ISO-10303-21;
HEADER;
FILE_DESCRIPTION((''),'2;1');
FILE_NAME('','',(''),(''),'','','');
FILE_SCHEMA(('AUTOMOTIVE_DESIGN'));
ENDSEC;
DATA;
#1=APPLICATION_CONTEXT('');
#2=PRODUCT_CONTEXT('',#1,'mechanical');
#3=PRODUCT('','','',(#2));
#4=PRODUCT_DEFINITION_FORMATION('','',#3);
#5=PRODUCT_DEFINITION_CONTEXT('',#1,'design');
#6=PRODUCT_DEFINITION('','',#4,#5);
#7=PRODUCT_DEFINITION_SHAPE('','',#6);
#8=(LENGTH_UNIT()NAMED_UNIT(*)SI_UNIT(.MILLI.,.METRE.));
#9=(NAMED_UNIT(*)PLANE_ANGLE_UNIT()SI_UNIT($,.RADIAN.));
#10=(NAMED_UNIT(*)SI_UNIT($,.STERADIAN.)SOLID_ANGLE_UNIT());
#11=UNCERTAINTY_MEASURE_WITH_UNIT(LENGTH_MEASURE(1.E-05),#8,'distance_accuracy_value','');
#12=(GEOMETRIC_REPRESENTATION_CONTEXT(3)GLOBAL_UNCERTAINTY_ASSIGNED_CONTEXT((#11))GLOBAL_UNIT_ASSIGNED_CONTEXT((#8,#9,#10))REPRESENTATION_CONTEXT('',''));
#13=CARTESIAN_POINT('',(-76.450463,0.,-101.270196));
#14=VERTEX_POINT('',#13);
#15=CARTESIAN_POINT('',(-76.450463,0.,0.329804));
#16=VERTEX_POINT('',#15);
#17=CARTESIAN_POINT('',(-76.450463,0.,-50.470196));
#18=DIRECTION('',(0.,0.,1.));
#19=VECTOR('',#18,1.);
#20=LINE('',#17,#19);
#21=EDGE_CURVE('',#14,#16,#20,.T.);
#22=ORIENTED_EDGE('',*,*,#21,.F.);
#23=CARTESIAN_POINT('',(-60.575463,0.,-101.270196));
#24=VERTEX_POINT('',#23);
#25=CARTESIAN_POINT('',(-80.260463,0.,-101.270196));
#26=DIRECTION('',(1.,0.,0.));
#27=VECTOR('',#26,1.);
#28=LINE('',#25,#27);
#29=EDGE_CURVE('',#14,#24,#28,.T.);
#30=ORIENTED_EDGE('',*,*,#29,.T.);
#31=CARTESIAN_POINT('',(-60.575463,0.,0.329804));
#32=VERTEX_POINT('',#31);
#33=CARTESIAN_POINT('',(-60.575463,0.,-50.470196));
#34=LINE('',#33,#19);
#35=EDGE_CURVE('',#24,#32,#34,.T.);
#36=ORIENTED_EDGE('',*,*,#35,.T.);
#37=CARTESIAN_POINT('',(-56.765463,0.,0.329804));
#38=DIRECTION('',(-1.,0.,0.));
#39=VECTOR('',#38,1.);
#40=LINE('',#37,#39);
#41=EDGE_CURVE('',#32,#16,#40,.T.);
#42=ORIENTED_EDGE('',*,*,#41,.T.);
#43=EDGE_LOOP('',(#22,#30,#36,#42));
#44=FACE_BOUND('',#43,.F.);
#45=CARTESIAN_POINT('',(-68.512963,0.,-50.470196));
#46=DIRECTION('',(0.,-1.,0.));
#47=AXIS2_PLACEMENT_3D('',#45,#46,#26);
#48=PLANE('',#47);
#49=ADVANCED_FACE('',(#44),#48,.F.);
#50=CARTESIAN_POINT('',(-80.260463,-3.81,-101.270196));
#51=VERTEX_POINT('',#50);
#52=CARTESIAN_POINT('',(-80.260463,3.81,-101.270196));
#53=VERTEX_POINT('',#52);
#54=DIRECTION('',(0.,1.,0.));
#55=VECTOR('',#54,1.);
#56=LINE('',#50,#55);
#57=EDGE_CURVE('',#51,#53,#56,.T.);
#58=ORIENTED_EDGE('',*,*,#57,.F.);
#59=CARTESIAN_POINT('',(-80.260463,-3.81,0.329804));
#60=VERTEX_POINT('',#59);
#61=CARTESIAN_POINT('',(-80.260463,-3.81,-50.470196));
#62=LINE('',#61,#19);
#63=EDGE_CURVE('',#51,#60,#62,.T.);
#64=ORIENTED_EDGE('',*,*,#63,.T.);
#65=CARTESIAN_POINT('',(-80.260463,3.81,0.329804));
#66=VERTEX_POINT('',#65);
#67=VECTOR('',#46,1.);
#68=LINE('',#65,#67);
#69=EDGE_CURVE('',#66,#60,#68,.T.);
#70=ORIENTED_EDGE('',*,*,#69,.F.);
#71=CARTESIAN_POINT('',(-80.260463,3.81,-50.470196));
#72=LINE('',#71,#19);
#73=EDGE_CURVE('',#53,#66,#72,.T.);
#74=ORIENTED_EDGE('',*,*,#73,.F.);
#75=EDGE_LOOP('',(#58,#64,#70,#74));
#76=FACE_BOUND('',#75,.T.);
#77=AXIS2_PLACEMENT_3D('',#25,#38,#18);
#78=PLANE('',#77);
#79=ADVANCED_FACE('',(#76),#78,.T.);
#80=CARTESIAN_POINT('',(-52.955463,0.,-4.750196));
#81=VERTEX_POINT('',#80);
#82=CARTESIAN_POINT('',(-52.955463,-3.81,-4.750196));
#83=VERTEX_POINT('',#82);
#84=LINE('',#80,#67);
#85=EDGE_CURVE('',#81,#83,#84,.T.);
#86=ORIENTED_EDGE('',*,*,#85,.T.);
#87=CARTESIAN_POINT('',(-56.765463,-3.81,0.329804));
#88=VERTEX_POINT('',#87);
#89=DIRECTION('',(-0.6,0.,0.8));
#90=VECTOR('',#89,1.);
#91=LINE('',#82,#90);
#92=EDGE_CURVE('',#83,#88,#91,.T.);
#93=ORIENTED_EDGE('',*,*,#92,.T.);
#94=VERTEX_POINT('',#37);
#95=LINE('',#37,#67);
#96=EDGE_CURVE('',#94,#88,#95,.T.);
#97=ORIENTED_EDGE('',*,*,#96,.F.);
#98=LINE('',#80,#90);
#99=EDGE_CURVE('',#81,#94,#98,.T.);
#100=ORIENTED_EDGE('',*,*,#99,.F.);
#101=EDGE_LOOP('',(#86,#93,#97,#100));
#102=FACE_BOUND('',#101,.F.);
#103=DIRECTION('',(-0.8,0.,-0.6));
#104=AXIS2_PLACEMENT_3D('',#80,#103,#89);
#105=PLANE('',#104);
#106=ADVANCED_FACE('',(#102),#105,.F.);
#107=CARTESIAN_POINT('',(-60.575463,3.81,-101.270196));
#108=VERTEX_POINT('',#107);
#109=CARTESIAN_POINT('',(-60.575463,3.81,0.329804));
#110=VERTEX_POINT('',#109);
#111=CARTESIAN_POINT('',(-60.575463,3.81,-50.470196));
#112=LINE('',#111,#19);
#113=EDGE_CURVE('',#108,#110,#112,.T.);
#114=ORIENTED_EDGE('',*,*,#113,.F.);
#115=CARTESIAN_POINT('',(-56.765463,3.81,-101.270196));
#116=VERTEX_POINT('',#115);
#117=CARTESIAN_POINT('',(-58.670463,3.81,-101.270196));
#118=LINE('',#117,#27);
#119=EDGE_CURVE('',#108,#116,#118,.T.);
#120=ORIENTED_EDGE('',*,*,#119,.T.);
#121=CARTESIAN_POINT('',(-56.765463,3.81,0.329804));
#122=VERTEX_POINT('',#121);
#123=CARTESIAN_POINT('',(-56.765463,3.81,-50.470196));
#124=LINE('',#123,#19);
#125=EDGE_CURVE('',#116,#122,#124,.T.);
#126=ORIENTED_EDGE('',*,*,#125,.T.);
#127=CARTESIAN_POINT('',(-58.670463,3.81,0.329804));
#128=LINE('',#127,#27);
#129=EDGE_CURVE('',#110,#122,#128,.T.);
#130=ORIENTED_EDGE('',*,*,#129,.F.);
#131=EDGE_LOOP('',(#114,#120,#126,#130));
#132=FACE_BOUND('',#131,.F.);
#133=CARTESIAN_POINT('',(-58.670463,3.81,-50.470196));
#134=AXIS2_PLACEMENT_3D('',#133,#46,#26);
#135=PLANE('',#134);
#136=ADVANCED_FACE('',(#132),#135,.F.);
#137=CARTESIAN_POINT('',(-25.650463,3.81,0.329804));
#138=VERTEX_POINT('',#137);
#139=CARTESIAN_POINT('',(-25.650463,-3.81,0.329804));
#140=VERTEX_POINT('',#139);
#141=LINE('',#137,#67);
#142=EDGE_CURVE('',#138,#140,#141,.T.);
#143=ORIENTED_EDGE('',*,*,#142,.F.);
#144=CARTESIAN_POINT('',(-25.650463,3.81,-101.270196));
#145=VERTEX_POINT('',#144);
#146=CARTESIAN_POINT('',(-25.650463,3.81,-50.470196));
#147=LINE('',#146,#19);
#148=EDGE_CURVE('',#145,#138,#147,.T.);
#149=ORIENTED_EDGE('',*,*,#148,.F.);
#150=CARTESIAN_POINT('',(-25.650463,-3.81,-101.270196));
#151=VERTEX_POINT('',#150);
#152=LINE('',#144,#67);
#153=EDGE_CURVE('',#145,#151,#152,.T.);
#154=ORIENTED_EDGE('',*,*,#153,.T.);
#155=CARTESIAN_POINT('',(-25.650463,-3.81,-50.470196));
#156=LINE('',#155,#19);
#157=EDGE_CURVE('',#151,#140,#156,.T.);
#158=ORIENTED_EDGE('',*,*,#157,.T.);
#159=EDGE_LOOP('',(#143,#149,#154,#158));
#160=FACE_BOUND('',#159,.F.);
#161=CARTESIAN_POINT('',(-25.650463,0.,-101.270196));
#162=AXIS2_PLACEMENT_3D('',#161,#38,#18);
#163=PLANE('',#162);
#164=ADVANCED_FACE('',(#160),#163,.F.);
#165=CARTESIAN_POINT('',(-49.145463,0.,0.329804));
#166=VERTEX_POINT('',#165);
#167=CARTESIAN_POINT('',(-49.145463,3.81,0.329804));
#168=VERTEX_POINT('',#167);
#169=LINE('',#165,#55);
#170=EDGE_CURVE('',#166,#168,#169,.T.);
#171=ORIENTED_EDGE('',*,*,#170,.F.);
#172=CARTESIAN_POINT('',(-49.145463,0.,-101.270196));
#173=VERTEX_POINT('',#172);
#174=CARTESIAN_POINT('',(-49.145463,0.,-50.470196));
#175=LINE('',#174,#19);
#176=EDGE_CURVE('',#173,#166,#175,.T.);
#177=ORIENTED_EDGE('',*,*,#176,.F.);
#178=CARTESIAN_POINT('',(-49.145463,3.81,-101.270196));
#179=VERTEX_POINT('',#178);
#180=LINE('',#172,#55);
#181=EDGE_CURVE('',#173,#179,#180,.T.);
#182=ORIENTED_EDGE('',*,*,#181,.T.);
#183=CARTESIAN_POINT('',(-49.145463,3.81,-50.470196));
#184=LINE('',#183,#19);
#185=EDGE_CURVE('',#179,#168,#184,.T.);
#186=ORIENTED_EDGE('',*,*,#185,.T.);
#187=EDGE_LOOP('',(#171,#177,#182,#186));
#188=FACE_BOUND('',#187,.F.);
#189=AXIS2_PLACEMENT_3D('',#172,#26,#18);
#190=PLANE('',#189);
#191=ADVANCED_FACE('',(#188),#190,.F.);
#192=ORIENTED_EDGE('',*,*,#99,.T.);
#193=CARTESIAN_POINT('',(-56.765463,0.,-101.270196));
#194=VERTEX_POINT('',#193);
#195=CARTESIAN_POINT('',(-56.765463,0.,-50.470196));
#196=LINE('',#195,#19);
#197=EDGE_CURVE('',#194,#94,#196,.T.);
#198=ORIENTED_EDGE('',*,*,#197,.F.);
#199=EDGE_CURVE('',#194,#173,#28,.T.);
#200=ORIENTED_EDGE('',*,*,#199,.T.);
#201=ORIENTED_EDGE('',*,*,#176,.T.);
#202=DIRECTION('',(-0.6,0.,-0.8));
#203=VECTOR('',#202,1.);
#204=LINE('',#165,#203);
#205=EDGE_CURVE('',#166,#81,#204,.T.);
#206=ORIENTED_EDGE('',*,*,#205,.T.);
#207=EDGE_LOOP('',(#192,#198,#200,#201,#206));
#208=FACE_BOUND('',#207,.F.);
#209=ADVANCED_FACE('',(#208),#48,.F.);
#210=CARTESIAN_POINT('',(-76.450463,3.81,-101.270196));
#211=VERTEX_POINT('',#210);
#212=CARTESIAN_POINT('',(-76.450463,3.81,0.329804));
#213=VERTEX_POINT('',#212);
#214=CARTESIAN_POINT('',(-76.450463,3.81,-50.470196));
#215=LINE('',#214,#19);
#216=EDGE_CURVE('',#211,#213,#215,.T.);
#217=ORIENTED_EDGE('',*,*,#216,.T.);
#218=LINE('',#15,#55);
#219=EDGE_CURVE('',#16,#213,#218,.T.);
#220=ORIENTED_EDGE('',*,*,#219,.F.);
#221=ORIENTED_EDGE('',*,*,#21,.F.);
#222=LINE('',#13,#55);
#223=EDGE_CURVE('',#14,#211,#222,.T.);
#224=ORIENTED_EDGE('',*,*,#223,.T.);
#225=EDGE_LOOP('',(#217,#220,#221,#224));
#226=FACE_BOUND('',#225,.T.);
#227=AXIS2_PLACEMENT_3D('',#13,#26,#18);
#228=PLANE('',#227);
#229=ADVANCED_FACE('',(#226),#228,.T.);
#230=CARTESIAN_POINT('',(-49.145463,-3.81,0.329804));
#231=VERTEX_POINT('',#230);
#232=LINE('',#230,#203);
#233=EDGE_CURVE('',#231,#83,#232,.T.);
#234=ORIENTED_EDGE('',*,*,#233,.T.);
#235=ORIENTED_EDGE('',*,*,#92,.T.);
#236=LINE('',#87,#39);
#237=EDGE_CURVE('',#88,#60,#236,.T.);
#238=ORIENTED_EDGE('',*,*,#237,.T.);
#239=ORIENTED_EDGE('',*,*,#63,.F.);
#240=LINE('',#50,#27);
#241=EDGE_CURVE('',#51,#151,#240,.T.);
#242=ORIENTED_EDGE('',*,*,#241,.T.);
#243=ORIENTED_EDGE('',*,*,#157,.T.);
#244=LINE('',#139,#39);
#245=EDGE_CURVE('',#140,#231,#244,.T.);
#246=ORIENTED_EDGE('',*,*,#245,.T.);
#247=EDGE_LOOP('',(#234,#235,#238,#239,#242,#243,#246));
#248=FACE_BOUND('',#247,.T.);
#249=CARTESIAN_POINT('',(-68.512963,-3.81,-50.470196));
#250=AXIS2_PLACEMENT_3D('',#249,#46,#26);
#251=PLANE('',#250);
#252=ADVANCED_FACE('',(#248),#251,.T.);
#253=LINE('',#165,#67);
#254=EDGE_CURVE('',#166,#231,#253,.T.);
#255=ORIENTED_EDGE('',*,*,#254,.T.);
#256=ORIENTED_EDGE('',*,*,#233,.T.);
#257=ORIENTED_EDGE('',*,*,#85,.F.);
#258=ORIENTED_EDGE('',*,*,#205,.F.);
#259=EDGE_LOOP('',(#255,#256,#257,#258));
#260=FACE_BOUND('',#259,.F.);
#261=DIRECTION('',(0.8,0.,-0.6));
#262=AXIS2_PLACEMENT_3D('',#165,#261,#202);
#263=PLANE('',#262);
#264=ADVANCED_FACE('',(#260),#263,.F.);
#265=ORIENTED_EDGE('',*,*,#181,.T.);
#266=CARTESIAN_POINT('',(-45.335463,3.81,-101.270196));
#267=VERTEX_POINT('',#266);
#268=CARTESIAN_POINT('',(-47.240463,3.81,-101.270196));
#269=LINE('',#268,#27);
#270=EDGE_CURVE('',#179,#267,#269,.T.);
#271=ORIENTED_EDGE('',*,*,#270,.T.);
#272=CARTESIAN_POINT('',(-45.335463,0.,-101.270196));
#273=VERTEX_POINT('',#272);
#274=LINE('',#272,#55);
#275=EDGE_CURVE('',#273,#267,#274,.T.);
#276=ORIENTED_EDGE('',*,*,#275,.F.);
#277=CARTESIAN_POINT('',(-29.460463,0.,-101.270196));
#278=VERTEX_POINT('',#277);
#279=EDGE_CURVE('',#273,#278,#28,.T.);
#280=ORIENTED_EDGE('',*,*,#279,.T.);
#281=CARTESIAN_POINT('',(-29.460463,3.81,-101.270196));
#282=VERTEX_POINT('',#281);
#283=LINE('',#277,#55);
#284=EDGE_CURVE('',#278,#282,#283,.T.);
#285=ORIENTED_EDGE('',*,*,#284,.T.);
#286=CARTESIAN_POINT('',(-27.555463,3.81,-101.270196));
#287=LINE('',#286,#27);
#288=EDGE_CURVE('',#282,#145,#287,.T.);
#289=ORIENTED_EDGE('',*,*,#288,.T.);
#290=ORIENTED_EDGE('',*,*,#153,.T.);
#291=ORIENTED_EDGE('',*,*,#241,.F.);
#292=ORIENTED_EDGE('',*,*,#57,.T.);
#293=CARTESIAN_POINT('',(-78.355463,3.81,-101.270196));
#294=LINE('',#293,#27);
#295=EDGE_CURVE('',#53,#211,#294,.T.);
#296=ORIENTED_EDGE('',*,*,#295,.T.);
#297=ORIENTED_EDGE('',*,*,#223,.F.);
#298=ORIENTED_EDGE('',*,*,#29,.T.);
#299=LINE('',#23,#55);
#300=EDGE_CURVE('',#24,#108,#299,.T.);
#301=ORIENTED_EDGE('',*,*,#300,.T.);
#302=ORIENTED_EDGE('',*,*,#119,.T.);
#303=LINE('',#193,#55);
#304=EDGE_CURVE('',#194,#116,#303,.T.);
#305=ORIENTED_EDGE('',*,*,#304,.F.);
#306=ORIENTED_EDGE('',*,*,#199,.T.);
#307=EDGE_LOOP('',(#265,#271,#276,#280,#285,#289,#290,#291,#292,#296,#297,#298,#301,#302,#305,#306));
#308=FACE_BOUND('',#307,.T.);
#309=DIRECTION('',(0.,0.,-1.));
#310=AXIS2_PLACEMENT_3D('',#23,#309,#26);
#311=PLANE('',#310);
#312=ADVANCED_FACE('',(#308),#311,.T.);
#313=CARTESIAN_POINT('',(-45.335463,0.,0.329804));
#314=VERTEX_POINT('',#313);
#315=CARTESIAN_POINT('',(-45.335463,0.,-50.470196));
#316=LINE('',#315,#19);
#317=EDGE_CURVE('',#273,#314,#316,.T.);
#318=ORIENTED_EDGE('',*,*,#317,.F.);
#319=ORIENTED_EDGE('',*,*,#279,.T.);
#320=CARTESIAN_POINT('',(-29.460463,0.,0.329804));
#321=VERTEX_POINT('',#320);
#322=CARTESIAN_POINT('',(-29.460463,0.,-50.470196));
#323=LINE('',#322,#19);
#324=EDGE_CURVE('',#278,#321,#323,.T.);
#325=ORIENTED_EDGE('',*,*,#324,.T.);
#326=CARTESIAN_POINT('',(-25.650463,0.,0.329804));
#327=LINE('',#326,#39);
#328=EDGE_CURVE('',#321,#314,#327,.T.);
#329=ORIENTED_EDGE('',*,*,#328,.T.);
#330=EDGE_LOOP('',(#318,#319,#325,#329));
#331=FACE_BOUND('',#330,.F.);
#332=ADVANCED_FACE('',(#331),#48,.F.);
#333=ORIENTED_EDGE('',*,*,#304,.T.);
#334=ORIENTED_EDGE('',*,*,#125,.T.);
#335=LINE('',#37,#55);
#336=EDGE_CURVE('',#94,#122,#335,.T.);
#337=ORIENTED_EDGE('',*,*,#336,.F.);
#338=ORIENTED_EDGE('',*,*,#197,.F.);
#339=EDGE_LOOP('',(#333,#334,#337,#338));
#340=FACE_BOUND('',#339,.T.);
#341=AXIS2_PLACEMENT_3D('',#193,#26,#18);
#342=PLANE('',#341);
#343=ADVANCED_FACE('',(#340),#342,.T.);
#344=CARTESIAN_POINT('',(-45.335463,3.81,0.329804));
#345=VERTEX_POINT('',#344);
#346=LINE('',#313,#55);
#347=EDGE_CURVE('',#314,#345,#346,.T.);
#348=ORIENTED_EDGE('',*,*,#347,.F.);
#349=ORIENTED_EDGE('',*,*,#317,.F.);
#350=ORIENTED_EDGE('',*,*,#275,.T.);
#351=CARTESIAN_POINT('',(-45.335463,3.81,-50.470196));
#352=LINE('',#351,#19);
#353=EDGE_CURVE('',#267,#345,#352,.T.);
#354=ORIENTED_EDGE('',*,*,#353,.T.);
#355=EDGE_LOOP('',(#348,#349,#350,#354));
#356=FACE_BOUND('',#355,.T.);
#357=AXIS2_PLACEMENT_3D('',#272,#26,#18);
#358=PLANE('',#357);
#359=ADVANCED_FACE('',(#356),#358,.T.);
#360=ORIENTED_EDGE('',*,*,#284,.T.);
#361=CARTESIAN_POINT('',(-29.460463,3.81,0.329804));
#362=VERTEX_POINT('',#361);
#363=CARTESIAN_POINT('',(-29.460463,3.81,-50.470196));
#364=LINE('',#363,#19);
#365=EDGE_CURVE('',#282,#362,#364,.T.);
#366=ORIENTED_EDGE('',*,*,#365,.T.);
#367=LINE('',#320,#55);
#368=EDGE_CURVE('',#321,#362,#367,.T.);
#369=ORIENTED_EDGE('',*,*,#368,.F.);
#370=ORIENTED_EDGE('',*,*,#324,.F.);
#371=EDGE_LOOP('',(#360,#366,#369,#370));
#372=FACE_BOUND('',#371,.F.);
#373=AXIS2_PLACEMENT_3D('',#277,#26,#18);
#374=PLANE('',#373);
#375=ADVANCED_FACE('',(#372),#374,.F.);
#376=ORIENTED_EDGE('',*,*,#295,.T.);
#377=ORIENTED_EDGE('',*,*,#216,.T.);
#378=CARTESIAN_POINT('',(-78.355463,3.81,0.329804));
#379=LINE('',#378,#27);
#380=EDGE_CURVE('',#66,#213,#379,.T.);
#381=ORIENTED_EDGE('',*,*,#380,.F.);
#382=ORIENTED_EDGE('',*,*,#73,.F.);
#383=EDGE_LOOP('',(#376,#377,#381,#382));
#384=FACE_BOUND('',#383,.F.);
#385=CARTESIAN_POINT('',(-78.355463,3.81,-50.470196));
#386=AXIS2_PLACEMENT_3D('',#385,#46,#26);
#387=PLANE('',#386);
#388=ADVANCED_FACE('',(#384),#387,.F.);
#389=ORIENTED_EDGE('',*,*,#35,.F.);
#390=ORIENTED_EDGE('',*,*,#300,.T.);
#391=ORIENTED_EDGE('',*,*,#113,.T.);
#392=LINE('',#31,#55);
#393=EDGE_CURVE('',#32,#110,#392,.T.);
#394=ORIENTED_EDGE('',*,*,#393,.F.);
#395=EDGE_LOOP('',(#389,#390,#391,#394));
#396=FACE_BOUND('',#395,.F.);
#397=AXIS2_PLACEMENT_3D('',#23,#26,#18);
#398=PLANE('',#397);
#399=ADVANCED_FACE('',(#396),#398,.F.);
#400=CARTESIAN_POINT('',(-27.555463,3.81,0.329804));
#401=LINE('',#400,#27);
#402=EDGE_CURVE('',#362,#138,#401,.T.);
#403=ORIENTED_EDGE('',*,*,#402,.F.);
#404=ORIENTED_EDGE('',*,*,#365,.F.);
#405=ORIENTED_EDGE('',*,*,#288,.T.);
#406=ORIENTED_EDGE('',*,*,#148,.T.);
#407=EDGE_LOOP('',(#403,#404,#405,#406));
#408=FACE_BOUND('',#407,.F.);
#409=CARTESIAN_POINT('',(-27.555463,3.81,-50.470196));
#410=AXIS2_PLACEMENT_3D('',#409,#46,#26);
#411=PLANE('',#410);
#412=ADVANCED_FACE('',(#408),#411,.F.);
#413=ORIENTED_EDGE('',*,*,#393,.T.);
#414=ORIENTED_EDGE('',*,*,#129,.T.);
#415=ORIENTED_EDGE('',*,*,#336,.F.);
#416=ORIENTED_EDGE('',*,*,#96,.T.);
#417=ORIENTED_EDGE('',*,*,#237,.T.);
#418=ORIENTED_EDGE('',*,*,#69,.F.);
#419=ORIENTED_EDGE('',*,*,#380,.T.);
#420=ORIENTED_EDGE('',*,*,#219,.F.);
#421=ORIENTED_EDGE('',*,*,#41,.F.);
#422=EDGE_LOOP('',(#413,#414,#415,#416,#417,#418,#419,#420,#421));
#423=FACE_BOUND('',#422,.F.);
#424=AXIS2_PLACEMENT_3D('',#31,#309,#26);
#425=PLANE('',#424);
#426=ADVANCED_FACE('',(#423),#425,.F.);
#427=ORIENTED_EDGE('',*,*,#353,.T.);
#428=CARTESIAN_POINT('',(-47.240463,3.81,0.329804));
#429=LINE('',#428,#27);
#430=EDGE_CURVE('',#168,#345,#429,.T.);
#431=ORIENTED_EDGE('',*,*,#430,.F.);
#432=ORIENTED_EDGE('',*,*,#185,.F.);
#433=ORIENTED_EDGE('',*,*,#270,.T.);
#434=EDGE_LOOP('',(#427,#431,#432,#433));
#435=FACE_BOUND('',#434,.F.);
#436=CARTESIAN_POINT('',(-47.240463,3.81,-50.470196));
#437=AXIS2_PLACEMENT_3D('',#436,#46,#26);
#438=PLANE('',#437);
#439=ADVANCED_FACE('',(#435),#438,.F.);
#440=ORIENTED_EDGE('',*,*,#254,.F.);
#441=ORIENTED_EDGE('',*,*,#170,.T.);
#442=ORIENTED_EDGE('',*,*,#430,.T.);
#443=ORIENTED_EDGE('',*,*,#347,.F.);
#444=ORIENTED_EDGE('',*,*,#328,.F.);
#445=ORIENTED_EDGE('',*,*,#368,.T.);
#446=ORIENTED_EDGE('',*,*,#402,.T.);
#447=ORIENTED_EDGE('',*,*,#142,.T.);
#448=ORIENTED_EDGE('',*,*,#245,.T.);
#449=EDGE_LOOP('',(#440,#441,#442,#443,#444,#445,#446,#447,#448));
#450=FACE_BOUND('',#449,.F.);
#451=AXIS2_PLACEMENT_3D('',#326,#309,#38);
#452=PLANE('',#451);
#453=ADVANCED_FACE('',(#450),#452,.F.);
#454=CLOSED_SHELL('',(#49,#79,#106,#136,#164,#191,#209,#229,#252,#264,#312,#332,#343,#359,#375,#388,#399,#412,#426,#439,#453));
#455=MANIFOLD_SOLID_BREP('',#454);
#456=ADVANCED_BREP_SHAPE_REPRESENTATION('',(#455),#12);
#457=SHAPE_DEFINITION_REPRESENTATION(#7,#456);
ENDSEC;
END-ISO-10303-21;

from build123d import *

# Parameters (mm, degrees)
F0_W     = 15.875
F0_H     = 101.6
F0_W_2   = 3.81
F1_DEPTH = 3.81
F2_DEPTH = 3.81


with BuildPart() as f1:
    # F0 (on Front) → F1 (new body)
    with BuildSketch(Plane.XZ):
        with Locations((-68.512963, -50.470196)):
            Rectangle(F0_W, F0_H)
        with Locations((-37.397963, -50.470196)):
            Rectangle(F0_W, F0_H)
        with Locations((-58.670463, -50.470196)):
            Rectangle(F0_W_2, F0_H)
        with Locations((-47.240463, -50.470196)):
            Rectangle(F0_W_2, F0_H)
        with Locations((-27.555463, -50.470196)):
            Rectangle(F0_W_2, F0_H)
        with Locations((-78.355463, -50.470196)):
            Rectangle(F0_W_2, F0_H)
        Polygon((-52.955463, -4.750196), (-56.765463, 0.329804), (-56.765463, -101.270196), (-49.145463, -101.270196), (-49.145463, 0.329804), align=None)
    extrude(amount=F1_DEPTH)

    # F0 (on Front) → F2 (join)
    with BuildSketch(Plane.XZ):
        with Locations((-58.670463, -50.470196)):
            Rectangle(F0_W_2, F0_H)
        with Locations((-47.240463, -50.470196)):
            Rectangle(F0_W_2, F0_H)
        with Locations((-27.555463, -50.470196)):
            Rectangle(F0_W_2, F0_H)
        with Locations((-78.355463, -50.470196)):
            Rectangle(F0_W_2, F0_H)
    extrude(amount=-F2_DEPTH)


solid = f1.part
